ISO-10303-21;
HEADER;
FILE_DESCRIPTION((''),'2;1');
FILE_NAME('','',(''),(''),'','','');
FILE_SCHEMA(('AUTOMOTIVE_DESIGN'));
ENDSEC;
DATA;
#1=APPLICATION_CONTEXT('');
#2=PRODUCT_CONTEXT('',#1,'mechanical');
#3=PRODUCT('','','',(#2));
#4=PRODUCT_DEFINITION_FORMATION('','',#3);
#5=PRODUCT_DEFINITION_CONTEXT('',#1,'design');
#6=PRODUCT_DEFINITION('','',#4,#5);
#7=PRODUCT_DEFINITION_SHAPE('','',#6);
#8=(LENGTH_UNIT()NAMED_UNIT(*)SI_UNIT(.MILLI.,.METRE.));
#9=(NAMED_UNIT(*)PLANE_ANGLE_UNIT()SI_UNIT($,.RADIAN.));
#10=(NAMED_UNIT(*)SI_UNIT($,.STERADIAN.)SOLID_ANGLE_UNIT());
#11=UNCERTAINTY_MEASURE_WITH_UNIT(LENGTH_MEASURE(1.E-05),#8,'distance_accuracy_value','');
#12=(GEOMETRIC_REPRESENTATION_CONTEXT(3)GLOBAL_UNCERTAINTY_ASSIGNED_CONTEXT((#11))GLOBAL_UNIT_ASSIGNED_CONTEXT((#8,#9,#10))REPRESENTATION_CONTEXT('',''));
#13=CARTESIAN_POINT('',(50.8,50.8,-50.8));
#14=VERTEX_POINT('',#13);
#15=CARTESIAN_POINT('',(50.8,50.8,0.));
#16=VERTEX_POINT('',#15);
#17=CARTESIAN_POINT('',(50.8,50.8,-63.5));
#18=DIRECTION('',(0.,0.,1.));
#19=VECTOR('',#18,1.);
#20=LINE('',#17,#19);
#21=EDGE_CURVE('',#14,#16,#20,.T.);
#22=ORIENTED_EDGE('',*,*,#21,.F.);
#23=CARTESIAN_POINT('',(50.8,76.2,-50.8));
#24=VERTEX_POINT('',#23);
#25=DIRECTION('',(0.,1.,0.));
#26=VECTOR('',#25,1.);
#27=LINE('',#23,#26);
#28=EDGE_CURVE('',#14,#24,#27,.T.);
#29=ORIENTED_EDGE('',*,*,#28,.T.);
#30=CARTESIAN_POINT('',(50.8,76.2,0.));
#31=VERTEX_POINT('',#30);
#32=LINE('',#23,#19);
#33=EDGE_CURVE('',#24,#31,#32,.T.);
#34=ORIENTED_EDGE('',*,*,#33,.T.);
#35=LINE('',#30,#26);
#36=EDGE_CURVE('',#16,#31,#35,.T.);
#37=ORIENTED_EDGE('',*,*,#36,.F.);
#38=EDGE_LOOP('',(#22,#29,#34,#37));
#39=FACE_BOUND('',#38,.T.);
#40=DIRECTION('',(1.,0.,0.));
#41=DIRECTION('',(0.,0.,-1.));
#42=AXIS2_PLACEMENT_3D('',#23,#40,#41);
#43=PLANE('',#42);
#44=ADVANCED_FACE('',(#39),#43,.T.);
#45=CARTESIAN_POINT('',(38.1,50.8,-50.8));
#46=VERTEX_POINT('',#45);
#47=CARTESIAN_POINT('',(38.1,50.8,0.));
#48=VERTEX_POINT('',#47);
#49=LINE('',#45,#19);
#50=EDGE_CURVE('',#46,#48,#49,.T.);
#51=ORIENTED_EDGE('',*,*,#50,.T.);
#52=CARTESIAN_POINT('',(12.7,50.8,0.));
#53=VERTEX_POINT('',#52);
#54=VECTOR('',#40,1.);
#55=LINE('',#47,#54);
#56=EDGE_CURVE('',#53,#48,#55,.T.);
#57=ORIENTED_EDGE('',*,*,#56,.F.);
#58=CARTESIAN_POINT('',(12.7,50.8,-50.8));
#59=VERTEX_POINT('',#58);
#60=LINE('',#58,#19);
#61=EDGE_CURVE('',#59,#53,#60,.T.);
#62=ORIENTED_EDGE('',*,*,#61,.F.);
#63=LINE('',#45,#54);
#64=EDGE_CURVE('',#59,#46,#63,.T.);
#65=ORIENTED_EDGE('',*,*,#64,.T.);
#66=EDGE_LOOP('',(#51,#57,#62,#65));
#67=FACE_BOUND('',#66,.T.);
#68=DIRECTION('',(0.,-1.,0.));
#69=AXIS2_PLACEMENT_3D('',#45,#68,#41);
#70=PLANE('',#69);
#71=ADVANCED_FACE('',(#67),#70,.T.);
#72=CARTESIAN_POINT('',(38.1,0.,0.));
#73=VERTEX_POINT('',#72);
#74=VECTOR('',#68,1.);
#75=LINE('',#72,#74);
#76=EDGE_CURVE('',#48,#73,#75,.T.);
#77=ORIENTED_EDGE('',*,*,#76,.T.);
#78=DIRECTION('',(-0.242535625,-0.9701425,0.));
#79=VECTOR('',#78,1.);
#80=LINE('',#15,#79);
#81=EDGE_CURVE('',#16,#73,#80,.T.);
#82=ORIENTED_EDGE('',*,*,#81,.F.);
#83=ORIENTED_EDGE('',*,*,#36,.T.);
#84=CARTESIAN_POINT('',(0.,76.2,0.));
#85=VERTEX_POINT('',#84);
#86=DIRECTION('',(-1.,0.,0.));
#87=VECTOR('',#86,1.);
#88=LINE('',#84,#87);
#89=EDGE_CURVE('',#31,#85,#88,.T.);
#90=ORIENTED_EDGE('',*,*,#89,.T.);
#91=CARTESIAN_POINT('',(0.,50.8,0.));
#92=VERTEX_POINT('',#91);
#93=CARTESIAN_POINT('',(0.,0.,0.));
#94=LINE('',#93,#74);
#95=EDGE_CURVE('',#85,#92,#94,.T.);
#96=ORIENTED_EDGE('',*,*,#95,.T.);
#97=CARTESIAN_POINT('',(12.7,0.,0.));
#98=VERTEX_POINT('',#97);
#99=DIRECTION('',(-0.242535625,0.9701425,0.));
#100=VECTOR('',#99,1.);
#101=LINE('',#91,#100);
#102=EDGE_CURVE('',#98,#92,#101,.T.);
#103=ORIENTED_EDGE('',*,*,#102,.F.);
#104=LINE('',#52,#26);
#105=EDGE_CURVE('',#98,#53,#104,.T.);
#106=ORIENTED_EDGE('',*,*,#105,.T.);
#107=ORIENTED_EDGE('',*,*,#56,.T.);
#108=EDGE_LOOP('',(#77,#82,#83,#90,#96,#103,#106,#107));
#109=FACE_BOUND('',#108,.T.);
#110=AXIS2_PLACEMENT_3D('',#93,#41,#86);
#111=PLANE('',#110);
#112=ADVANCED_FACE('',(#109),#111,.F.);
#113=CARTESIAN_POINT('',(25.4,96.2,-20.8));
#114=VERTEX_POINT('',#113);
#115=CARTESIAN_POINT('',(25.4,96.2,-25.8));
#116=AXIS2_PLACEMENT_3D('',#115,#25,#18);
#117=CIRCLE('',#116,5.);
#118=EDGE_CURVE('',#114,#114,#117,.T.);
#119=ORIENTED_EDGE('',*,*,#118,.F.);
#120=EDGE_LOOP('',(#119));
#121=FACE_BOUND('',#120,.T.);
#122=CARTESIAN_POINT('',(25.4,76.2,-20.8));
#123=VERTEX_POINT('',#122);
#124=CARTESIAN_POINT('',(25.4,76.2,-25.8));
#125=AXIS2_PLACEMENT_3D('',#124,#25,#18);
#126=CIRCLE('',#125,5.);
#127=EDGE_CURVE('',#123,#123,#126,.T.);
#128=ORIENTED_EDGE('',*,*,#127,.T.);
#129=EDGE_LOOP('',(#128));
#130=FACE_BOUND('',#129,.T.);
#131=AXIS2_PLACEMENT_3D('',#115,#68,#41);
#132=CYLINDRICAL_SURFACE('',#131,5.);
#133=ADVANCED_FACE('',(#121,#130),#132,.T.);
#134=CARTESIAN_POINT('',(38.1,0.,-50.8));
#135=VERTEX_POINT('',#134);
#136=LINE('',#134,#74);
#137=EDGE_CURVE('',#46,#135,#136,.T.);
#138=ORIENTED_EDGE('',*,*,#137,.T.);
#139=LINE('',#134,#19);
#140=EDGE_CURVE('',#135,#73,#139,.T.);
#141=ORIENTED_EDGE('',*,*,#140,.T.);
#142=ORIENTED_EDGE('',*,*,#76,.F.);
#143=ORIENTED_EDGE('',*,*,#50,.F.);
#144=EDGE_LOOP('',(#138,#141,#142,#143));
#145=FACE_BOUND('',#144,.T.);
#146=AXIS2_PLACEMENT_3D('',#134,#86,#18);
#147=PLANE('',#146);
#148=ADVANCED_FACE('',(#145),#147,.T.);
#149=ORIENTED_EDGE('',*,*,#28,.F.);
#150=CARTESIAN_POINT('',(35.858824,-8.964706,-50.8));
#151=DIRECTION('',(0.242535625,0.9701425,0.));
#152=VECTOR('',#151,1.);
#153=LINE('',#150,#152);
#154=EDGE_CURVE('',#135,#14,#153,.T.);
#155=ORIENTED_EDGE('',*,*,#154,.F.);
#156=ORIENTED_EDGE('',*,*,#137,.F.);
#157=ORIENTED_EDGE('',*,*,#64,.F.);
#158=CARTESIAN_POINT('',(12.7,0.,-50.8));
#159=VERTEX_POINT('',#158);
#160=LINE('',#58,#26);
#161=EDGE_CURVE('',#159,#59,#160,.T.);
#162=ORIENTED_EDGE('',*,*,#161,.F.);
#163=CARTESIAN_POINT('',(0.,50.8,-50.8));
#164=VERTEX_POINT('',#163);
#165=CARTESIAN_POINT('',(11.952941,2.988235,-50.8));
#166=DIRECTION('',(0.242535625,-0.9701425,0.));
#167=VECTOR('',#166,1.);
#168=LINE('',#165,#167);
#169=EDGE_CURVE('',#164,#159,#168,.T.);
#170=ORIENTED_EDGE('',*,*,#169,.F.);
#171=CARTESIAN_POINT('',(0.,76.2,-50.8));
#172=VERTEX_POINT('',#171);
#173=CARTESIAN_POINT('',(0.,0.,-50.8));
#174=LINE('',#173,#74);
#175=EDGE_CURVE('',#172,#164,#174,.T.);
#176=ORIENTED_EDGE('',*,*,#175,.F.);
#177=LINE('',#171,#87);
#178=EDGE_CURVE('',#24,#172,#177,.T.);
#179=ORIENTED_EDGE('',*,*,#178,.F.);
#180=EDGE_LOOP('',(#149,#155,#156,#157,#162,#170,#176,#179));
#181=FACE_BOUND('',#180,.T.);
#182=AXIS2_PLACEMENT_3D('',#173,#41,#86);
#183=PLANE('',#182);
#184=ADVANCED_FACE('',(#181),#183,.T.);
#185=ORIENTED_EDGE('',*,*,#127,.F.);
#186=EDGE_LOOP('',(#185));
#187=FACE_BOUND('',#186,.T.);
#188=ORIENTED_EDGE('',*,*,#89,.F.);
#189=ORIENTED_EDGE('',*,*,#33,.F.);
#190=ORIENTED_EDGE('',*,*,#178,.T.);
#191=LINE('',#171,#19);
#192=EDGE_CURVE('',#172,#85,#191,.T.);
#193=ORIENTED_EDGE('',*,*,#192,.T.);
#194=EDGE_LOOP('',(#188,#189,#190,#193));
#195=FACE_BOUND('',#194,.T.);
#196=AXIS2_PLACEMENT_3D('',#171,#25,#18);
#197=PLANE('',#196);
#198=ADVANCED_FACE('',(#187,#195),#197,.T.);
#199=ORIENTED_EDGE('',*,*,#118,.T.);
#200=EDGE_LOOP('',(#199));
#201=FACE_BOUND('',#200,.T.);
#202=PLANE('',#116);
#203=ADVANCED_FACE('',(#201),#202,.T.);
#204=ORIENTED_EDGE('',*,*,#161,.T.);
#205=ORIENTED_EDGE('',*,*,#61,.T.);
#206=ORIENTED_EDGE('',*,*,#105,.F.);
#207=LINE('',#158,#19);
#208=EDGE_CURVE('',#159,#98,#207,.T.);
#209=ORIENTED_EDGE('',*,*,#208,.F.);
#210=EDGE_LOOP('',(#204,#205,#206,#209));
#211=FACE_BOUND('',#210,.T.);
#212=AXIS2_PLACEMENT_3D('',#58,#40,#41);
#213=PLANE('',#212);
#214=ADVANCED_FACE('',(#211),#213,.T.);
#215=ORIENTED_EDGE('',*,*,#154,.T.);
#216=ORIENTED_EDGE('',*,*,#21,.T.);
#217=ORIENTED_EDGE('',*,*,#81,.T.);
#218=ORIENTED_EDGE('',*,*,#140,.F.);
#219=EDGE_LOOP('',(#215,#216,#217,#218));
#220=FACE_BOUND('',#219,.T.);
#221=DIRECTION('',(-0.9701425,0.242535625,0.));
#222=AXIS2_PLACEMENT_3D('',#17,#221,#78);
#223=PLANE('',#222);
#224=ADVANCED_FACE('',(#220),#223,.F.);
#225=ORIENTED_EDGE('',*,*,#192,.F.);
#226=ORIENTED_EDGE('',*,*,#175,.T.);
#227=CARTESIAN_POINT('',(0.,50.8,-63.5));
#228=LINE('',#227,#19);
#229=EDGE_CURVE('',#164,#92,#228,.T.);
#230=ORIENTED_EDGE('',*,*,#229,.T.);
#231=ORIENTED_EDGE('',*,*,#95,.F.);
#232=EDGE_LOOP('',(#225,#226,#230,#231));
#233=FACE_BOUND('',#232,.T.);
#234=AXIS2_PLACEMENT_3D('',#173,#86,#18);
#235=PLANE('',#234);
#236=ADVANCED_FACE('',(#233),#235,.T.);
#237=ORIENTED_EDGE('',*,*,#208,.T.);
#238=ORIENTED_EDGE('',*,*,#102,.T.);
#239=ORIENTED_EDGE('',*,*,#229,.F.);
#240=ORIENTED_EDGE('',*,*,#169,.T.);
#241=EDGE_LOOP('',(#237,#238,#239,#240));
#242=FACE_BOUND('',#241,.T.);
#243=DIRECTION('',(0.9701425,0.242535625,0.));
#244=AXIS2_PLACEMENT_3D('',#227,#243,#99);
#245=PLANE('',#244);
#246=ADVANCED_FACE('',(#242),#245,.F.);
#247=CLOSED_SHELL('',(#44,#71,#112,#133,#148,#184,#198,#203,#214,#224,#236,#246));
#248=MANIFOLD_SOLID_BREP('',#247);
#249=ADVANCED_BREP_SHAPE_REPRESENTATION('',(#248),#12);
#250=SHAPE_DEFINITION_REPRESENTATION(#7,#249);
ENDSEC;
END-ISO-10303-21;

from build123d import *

# Parameters (mm, degrees)
BOSS_EXTRUDE2_DEPTH = 50.8
CUT_EXTRUDE2_DEPTH  = 63.5
CUT_EXTRUDE3_DEPTH  = 63.5
SKETCH3_R           = 5
BOSS_EXTRUDE3_DEPTH = 20


with BuildPart() as part:
    # Sketch1 → Boss-Extrude2 (new body)
    with BuildSketch(Plane.XY):
        Polygon((0, 0), (0, 76.2), (50.8, 76.2), (50.8, 0), (38.1, 0), (38.1, 50.8), (12.7, 50.8), (12.7, 0), align=None)
    extrude(amount=-BOSS_EXTRUDE2_DEPTH)

    # Sketch4 → Cut-Extrude2 (cut)
    with BuildSketch(Plane.XY):
        Polygon((0, 50.8), (12.7, 0), (0, 0), align=None)
    extrude(amount=-CUT_EXTRUDE2_DEPTH, mode=Mode.SUBTRACT)

    # Sketch5 → Cut-Extrude3 (cut)
    with BuildSketch(Plane.XY):
        Polygon((50.8, 50.8), (38.1, 0), (50.8, 0), align=None)
    extrude(amount=-CUT_EXTRUDE3_DEPTH, mode=Mode.SUBTRACT)

    # Sketch3 → Boss-Extrude3 (add)
    with BuildSketch(Plane(origin=(0, 76.2, 0), x_dir=(1, 0, 0), z_dir=(0, 1, 0))):
        with Locations((25.4, 25.8)):
            Circle(SKETCH3_R)
    extrude(amount=BOSS_EXTRUDE3_DEPTH)


solid = part.part
